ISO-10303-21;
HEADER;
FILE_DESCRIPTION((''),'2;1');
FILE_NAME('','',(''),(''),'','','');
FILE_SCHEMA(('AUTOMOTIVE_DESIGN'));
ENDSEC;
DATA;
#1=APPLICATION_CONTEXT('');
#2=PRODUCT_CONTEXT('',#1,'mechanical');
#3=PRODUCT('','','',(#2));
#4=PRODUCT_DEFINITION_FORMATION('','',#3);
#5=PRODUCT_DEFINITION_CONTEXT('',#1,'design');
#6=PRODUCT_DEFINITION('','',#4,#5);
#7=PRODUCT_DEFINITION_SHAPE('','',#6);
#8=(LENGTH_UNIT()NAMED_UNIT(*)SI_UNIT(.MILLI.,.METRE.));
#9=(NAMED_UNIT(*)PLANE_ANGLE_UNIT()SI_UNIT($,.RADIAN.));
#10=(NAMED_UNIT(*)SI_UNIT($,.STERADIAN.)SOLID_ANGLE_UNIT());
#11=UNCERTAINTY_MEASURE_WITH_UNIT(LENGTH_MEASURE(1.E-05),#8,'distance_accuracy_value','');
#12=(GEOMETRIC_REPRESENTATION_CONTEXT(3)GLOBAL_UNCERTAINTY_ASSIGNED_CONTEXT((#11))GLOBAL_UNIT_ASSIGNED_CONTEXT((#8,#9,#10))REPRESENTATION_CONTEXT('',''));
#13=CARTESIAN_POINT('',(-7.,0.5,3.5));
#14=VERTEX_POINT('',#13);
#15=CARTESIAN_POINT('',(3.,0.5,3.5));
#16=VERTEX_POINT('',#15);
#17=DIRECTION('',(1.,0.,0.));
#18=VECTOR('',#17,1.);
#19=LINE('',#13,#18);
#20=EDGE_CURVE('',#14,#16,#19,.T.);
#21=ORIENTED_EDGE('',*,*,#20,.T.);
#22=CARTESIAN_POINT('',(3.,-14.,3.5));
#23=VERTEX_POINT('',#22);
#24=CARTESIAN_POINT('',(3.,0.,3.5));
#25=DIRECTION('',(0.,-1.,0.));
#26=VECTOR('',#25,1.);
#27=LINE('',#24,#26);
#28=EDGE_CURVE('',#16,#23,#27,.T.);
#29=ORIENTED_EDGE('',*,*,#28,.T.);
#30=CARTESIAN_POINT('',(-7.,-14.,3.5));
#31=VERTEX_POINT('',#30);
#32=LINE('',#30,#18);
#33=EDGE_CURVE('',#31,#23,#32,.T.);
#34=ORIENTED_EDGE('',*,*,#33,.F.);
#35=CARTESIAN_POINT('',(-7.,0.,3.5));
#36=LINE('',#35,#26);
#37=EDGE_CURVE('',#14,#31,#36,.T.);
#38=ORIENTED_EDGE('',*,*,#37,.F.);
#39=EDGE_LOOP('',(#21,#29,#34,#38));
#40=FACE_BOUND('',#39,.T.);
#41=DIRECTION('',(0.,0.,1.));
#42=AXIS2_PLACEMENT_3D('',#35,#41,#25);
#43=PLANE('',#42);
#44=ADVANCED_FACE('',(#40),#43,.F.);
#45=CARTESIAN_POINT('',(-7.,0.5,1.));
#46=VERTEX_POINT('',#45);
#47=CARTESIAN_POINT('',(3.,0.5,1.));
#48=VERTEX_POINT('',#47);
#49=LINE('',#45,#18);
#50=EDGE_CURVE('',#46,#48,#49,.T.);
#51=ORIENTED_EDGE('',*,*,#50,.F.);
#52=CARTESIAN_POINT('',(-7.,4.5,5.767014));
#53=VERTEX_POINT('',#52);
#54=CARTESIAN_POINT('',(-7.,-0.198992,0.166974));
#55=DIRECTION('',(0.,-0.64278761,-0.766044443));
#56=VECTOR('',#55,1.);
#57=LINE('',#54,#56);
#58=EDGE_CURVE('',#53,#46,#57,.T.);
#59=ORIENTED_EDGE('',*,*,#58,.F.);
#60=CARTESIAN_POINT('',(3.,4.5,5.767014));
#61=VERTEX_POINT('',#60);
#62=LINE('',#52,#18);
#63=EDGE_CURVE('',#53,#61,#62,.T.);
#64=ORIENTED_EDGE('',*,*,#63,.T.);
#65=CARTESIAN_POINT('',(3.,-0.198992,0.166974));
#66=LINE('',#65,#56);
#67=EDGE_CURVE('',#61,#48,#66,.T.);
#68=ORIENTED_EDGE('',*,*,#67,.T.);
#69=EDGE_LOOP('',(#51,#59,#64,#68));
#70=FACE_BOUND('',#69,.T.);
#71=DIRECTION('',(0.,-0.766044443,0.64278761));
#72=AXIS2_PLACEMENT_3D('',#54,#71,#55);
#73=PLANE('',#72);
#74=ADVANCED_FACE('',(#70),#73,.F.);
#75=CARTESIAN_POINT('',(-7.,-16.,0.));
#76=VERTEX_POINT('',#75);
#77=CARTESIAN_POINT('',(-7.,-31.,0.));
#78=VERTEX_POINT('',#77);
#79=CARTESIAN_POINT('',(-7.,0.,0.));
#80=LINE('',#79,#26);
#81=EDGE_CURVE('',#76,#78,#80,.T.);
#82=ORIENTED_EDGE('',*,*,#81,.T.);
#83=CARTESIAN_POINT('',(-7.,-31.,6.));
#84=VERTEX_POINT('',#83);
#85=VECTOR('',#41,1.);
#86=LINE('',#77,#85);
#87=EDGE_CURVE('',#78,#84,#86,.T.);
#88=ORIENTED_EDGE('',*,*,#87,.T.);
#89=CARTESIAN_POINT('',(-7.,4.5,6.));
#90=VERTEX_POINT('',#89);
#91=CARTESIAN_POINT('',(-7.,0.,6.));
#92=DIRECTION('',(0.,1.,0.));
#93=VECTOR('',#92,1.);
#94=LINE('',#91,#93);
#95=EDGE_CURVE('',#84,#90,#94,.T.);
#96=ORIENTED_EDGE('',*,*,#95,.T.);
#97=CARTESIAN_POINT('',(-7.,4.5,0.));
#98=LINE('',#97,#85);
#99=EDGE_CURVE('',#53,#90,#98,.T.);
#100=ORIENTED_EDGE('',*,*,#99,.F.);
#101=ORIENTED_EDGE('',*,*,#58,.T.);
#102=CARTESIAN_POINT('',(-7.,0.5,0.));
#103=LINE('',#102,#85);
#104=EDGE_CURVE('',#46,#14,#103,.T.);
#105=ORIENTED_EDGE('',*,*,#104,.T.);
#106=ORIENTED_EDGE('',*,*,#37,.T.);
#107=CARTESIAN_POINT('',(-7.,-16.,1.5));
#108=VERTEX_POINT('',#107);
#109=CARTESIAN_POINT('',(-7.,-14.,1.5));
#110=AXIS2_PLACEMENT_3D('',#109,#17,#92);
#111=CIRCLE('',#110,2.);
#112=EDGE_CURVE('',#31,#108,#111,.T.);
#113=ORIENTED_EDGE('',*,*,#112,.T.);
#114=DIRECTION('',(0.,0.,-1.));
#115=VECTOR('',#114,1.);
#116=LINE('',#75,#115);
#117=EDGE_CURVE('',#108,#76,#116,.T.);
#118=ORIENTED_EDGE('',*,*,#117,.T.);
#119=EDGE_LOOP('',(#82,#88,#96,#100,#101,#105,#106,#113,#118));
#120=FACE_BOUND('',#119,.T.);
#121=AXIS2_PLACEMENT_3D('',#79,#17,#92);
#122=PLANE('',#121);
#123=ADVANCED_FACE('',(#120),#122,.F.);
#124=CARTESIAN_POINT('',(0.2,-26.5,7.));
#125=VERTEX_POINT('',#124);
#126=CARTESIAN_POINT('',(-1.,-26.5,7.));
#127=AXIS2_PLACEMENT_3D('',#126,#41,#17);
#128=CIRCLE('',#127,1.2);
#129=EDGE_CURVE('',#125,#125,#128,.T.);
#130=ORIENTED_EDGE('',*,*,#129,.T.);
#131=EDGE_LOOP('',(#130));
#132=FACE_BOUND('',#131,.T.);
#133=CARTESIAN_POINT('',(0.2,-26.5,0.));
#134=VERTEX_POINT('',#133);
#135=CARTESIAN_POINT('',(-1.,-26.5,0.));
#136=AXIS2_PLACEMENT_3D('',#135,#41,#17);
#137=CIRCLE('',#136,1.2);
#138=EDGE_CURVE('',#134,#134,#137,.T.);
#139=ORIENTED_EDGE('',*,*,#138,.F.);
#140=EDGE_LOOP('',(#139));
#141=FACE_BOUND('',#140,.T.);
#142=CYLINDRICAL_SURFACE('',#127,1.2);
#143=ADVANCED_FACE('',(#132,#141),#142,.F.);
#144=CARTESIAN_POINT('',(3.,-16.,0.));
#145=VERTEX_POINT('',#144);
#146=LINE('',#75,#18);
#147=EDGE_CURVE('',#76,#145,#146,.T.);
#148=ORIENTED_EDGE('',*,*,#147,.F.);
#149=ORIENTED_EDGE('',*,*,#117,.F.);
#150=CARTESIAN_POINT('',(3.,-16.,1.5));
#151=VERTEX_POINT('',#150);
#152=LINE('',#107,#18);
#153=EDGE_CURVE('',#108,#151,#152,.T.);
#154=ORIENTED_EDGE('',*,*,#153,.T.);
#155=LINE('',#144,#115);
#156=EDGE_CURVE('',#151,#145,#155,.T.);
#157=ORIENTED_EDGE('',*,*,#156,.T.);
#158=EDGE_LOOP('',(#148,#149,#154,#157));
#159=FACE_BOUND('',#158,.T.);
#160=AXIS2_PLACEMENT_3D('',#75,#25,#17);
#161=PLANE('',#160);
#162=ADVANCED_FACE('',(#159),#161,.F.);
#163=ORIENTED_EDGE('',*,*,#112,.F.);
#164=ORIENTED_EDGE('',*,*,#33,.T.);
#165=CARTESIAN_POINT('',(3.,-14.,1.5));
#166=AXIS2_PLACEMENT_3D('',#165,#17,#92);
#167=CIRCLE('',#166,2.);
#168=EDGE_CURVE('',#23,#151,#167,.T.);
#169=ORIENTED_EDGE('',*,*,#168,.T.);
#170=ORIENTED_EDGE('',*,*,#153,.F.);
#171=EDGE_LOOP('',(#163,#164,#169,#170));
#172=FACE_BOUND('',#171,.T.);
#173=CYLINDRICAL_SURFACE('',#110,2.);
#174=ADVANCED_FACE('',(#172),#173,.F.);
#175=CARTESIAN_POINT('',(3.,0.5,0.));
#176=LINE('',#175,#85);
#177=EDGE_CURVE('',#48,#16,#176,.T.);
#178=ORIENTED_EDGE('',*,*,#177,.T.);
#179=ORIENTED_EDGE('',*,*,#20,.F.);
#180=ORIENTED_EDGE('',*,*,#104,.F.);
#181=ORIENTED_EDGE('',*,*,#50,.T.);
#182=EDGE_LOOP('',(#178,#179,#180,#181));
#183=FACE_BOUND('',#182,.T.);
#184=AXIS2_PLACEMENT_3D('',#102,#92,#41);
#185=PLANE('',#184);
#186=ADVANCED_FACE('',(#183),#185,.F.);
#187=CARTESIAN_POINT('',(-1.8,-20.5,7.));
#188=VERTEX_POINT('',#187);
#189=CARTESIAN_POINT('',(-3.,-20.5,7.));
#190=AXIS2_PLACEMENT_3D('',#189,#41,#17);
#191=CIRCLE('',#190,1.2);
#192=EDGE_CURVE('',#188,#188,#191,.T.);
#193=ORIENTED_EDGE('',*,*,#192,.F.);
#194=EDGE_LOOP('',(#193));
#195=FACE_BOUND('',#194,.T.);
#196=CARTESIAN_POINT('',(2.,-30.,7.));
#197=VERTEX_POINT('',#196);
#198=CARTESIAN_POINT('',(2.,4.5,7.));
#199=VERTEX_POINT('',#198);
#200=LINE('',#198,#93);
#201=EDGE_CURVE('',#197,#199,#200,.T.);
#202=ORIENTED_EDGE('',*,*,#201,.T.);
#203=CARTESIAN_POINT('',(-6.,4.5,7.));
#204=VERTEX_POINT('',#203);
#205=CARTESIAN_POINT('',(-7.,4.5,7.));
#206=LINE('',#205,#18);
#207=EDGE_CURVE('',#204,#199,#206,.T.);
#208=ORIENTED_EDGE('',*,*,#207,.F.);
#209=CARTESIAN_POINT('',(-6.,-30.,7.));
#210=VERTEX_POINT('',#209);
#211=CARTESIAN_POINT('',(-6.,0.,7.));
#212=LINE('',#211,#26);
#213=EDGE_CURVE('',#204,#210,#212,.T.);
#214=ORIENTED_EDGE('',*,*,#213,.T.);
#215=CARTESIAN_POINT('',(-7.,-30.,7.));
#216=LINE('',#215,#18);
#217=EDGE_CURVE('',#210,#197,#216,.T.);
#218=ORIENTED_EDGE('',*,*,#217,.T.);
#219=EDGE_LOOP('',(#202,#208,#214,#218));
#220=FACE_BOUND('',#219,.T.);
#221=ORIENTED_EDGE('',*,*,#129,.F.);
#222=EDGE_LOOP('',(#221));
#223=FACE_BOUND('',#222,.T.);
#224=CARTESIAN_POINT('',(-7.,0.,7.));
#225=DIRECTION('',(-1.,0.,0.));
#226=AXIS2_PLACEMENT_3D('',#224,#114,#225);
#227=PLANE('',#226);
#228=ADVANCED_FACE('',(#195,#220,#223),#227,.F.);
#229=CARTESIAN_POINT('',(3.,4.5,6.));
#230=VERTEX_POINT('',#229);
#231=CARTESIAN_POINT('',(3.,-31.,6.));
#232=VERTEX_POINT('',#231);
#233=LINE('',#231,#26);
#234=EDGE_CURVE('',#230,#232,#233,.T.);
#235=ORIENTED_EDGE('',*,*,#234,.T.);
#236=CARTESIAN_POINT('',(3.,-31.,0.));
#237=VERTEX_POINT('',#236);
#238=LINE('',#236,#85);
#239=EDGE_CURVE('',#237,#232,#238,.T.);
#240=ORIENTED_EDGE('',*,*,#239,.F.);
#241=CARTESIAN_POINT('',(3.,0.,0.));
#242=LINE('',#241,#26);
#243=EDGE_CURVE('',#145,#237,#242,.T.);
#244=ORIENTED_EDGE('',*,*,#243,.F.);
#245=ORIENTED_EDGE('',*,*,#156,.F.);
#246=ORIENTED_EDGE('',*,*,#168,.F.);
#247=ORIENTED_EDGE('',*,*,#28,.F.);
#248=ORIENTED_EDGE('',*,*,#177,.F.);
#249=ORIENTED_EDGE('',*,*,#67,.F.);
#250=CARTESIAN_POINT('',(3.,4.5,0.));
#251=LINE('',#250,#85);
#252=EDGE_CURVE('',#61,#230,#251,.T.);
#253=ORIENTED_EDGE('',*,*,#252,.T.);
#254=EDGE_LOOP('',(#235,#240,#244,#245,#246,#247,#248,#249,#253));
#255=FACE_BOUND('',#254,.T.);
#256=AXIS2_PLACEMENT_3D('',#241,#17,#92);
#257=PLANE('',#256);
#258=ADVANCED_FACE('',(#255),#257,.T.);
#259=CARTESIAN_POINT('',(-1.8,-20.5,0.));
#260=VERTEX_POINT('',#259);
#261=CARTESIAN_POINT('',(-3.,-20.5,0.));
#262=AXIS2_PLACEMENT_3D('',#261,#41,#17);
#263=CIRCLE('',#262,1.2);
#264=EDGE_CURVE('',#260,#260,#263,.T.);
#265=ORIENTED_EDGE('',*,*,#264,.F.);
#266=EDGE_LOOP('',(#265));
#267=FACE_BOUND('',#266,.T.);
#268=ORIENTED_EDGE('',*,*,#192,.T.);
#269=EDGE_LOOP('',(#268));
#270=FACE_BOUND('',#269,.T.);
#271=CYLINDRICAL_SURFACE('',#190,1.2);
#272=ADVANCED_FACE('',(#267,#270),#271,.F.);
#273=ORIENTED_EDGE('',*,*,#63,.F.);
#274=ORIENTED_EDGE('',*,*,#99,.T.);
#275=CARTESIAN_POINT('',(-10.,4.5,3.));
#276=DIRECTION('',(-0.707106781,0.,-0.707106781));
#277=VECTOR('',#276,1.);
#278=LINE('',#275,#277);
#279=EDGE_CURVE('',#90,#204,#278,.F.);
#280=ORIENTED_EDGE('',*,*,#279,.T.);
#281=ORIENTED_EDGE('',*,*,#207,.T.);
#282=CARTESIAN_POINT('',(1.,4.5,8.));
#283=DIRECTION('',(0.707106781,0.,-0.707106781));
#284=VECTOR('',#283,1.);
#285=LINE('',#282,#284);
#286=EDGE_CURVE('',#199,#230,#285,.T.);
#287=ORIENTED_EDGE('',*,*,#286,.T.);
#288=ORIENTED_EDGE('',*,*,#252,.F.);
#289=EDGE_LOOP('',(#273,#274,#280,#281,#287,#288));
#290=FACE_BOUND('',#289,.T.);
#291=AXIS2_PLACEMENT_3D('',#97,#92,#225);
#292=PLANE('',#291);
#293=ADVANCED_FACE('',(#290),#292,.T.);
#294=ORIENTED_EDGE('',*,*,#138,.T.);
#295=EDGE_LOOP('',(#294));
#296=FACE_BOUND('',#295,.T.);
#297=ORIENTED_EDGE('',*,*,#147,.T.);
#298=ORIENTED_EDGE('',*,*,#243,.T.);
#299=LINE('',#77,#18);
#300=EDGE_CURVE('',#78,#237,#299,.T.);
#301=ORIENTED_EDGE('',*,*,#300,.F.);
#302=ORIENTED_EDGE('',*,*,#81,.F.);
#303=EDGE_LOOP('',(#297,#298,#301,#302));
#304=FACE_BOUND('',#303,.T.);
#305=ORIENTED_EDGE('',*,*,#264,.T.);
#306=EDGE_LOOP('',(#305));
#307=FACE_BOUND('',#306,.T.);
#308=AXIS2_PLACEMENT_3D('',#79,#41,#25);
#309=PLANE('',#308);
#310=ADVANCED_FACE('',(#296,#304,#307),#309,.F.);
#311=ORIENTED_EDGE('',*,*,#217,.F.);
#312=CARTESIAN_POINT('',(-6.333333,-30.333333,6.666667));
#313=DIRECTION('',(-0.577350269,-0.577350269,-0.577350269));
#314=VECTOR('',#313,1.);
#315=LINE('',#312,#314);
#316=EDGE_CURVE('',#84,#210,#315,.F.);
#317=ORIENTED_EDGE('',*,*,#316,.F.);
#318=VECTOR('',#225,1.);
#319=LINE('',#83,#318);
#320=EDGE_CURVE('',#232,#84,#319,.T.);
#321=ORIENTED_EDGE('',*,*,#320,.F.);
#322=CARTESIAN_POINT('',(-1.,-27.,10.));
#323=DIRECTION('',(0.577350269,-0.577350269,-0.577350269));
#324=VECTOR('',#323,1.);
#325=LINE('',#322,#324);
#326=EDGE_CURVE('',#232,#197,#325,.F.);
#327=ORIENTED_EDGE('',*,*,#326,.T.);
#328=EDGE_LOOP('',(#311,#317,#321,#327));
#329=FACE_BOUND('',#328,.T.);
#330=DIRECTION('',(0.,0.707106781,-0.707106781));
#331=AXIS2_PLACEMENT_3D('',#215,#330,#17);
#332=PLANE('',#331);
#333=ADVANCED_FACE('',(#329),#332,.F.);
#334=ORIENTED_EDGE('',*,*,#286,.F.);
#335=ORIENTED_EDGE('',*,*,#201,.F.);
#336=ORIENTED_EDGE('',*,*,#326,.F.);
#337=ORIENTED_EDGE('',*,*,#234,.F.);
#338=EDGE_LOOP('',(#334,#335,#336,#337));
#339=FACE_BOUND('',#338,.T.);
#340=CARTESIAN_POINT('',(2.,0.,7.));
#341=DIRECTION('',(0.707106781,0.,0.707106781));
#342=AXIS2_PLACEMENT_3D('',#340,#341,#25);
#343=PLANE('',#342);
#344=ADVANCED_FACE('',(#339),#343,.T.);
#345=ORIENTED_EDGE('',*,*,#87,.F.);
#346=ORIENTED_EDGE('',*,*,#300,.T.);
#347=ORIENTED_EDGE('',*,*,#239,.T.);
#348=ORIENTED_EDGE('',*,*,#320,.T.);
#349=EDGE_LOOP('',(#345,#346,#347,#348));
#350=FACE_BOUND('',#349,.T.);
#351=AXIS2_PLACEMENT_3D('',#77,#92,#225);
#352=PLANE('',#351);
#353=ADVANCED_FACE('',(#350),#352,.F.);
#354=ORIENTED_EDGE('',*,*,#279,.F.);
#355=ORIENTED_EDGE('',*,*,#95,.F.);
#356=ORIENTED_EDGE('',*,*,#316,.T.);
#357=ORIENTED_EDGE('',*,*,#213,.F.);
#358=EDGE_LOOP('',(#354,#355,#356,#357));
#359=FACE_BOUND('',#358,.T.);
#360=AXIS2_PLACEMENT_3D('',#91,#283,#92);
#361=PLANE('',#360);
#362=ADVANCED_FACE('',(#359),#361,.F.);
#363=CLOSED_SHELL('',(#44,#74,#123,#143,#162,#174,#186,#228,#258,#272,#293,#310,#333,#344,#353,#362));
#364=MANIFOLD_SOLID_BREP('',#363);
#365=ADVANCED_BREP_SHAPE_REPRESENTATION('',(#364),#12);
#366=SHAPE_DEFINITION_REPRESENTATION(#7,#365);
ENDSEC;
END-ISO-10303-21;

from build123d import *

# Parameters (mm, degrees)
EXTRUDE_1_DEPTH    = 10
HOLE_WIZARD_M2_1_D = 2.4
CHAMFER_1_SIZE     = 1


with BuildPart() as part:
    # 草图3 → 凸台-拉伸1 (new body)
    with BuildSketch(Plane(origin=(3, 0, 0), x_dir=(0, 0, -1), z_dir=(1, 0, 0))):
        with BuildLine():
            Line((-7, -31), (0, -31))
            Line((0, -31), (0, -16))
            Line((0, -16), (-1.5, -16))
            ThreePointArc((-1.5, -16), (-2.914213562, -15.414213562), (-3.5, -14))
            Line((-3.5, -14), (-3.5, 0.5))
            Line((-3.5, 0.5), (-1, 0.5))
            Line((-1, 0.5), (-5.76701437, 4.5))
            Line((-5.76701437, 4.5), (-7, 4.5))
            Line((-7, 4.5), (-7, -31))
        make_face()
    extrude(amount=-EXTRUDE_1_DEPTH)

    # M2 间隙孔1 (through all)
    with Locations(Plane.XY.offset(7)):
        with Locations((-1, -26.5), (-3, -20.5)):
            Hole(HOLE_WIZARD_M2_1_D / 2)

    # 倒角1
    chamfer_1_edges = [part.edges().sort_by_distance(p)[0] for p in [
        (3, -13.25, 7),
        (-2, -31, 7),
        (-7, -13.25, 7),
    ]]
    chamfer(chamfer_1_edges, length=CHAMFER_1_SIZE)


solid = part.part
